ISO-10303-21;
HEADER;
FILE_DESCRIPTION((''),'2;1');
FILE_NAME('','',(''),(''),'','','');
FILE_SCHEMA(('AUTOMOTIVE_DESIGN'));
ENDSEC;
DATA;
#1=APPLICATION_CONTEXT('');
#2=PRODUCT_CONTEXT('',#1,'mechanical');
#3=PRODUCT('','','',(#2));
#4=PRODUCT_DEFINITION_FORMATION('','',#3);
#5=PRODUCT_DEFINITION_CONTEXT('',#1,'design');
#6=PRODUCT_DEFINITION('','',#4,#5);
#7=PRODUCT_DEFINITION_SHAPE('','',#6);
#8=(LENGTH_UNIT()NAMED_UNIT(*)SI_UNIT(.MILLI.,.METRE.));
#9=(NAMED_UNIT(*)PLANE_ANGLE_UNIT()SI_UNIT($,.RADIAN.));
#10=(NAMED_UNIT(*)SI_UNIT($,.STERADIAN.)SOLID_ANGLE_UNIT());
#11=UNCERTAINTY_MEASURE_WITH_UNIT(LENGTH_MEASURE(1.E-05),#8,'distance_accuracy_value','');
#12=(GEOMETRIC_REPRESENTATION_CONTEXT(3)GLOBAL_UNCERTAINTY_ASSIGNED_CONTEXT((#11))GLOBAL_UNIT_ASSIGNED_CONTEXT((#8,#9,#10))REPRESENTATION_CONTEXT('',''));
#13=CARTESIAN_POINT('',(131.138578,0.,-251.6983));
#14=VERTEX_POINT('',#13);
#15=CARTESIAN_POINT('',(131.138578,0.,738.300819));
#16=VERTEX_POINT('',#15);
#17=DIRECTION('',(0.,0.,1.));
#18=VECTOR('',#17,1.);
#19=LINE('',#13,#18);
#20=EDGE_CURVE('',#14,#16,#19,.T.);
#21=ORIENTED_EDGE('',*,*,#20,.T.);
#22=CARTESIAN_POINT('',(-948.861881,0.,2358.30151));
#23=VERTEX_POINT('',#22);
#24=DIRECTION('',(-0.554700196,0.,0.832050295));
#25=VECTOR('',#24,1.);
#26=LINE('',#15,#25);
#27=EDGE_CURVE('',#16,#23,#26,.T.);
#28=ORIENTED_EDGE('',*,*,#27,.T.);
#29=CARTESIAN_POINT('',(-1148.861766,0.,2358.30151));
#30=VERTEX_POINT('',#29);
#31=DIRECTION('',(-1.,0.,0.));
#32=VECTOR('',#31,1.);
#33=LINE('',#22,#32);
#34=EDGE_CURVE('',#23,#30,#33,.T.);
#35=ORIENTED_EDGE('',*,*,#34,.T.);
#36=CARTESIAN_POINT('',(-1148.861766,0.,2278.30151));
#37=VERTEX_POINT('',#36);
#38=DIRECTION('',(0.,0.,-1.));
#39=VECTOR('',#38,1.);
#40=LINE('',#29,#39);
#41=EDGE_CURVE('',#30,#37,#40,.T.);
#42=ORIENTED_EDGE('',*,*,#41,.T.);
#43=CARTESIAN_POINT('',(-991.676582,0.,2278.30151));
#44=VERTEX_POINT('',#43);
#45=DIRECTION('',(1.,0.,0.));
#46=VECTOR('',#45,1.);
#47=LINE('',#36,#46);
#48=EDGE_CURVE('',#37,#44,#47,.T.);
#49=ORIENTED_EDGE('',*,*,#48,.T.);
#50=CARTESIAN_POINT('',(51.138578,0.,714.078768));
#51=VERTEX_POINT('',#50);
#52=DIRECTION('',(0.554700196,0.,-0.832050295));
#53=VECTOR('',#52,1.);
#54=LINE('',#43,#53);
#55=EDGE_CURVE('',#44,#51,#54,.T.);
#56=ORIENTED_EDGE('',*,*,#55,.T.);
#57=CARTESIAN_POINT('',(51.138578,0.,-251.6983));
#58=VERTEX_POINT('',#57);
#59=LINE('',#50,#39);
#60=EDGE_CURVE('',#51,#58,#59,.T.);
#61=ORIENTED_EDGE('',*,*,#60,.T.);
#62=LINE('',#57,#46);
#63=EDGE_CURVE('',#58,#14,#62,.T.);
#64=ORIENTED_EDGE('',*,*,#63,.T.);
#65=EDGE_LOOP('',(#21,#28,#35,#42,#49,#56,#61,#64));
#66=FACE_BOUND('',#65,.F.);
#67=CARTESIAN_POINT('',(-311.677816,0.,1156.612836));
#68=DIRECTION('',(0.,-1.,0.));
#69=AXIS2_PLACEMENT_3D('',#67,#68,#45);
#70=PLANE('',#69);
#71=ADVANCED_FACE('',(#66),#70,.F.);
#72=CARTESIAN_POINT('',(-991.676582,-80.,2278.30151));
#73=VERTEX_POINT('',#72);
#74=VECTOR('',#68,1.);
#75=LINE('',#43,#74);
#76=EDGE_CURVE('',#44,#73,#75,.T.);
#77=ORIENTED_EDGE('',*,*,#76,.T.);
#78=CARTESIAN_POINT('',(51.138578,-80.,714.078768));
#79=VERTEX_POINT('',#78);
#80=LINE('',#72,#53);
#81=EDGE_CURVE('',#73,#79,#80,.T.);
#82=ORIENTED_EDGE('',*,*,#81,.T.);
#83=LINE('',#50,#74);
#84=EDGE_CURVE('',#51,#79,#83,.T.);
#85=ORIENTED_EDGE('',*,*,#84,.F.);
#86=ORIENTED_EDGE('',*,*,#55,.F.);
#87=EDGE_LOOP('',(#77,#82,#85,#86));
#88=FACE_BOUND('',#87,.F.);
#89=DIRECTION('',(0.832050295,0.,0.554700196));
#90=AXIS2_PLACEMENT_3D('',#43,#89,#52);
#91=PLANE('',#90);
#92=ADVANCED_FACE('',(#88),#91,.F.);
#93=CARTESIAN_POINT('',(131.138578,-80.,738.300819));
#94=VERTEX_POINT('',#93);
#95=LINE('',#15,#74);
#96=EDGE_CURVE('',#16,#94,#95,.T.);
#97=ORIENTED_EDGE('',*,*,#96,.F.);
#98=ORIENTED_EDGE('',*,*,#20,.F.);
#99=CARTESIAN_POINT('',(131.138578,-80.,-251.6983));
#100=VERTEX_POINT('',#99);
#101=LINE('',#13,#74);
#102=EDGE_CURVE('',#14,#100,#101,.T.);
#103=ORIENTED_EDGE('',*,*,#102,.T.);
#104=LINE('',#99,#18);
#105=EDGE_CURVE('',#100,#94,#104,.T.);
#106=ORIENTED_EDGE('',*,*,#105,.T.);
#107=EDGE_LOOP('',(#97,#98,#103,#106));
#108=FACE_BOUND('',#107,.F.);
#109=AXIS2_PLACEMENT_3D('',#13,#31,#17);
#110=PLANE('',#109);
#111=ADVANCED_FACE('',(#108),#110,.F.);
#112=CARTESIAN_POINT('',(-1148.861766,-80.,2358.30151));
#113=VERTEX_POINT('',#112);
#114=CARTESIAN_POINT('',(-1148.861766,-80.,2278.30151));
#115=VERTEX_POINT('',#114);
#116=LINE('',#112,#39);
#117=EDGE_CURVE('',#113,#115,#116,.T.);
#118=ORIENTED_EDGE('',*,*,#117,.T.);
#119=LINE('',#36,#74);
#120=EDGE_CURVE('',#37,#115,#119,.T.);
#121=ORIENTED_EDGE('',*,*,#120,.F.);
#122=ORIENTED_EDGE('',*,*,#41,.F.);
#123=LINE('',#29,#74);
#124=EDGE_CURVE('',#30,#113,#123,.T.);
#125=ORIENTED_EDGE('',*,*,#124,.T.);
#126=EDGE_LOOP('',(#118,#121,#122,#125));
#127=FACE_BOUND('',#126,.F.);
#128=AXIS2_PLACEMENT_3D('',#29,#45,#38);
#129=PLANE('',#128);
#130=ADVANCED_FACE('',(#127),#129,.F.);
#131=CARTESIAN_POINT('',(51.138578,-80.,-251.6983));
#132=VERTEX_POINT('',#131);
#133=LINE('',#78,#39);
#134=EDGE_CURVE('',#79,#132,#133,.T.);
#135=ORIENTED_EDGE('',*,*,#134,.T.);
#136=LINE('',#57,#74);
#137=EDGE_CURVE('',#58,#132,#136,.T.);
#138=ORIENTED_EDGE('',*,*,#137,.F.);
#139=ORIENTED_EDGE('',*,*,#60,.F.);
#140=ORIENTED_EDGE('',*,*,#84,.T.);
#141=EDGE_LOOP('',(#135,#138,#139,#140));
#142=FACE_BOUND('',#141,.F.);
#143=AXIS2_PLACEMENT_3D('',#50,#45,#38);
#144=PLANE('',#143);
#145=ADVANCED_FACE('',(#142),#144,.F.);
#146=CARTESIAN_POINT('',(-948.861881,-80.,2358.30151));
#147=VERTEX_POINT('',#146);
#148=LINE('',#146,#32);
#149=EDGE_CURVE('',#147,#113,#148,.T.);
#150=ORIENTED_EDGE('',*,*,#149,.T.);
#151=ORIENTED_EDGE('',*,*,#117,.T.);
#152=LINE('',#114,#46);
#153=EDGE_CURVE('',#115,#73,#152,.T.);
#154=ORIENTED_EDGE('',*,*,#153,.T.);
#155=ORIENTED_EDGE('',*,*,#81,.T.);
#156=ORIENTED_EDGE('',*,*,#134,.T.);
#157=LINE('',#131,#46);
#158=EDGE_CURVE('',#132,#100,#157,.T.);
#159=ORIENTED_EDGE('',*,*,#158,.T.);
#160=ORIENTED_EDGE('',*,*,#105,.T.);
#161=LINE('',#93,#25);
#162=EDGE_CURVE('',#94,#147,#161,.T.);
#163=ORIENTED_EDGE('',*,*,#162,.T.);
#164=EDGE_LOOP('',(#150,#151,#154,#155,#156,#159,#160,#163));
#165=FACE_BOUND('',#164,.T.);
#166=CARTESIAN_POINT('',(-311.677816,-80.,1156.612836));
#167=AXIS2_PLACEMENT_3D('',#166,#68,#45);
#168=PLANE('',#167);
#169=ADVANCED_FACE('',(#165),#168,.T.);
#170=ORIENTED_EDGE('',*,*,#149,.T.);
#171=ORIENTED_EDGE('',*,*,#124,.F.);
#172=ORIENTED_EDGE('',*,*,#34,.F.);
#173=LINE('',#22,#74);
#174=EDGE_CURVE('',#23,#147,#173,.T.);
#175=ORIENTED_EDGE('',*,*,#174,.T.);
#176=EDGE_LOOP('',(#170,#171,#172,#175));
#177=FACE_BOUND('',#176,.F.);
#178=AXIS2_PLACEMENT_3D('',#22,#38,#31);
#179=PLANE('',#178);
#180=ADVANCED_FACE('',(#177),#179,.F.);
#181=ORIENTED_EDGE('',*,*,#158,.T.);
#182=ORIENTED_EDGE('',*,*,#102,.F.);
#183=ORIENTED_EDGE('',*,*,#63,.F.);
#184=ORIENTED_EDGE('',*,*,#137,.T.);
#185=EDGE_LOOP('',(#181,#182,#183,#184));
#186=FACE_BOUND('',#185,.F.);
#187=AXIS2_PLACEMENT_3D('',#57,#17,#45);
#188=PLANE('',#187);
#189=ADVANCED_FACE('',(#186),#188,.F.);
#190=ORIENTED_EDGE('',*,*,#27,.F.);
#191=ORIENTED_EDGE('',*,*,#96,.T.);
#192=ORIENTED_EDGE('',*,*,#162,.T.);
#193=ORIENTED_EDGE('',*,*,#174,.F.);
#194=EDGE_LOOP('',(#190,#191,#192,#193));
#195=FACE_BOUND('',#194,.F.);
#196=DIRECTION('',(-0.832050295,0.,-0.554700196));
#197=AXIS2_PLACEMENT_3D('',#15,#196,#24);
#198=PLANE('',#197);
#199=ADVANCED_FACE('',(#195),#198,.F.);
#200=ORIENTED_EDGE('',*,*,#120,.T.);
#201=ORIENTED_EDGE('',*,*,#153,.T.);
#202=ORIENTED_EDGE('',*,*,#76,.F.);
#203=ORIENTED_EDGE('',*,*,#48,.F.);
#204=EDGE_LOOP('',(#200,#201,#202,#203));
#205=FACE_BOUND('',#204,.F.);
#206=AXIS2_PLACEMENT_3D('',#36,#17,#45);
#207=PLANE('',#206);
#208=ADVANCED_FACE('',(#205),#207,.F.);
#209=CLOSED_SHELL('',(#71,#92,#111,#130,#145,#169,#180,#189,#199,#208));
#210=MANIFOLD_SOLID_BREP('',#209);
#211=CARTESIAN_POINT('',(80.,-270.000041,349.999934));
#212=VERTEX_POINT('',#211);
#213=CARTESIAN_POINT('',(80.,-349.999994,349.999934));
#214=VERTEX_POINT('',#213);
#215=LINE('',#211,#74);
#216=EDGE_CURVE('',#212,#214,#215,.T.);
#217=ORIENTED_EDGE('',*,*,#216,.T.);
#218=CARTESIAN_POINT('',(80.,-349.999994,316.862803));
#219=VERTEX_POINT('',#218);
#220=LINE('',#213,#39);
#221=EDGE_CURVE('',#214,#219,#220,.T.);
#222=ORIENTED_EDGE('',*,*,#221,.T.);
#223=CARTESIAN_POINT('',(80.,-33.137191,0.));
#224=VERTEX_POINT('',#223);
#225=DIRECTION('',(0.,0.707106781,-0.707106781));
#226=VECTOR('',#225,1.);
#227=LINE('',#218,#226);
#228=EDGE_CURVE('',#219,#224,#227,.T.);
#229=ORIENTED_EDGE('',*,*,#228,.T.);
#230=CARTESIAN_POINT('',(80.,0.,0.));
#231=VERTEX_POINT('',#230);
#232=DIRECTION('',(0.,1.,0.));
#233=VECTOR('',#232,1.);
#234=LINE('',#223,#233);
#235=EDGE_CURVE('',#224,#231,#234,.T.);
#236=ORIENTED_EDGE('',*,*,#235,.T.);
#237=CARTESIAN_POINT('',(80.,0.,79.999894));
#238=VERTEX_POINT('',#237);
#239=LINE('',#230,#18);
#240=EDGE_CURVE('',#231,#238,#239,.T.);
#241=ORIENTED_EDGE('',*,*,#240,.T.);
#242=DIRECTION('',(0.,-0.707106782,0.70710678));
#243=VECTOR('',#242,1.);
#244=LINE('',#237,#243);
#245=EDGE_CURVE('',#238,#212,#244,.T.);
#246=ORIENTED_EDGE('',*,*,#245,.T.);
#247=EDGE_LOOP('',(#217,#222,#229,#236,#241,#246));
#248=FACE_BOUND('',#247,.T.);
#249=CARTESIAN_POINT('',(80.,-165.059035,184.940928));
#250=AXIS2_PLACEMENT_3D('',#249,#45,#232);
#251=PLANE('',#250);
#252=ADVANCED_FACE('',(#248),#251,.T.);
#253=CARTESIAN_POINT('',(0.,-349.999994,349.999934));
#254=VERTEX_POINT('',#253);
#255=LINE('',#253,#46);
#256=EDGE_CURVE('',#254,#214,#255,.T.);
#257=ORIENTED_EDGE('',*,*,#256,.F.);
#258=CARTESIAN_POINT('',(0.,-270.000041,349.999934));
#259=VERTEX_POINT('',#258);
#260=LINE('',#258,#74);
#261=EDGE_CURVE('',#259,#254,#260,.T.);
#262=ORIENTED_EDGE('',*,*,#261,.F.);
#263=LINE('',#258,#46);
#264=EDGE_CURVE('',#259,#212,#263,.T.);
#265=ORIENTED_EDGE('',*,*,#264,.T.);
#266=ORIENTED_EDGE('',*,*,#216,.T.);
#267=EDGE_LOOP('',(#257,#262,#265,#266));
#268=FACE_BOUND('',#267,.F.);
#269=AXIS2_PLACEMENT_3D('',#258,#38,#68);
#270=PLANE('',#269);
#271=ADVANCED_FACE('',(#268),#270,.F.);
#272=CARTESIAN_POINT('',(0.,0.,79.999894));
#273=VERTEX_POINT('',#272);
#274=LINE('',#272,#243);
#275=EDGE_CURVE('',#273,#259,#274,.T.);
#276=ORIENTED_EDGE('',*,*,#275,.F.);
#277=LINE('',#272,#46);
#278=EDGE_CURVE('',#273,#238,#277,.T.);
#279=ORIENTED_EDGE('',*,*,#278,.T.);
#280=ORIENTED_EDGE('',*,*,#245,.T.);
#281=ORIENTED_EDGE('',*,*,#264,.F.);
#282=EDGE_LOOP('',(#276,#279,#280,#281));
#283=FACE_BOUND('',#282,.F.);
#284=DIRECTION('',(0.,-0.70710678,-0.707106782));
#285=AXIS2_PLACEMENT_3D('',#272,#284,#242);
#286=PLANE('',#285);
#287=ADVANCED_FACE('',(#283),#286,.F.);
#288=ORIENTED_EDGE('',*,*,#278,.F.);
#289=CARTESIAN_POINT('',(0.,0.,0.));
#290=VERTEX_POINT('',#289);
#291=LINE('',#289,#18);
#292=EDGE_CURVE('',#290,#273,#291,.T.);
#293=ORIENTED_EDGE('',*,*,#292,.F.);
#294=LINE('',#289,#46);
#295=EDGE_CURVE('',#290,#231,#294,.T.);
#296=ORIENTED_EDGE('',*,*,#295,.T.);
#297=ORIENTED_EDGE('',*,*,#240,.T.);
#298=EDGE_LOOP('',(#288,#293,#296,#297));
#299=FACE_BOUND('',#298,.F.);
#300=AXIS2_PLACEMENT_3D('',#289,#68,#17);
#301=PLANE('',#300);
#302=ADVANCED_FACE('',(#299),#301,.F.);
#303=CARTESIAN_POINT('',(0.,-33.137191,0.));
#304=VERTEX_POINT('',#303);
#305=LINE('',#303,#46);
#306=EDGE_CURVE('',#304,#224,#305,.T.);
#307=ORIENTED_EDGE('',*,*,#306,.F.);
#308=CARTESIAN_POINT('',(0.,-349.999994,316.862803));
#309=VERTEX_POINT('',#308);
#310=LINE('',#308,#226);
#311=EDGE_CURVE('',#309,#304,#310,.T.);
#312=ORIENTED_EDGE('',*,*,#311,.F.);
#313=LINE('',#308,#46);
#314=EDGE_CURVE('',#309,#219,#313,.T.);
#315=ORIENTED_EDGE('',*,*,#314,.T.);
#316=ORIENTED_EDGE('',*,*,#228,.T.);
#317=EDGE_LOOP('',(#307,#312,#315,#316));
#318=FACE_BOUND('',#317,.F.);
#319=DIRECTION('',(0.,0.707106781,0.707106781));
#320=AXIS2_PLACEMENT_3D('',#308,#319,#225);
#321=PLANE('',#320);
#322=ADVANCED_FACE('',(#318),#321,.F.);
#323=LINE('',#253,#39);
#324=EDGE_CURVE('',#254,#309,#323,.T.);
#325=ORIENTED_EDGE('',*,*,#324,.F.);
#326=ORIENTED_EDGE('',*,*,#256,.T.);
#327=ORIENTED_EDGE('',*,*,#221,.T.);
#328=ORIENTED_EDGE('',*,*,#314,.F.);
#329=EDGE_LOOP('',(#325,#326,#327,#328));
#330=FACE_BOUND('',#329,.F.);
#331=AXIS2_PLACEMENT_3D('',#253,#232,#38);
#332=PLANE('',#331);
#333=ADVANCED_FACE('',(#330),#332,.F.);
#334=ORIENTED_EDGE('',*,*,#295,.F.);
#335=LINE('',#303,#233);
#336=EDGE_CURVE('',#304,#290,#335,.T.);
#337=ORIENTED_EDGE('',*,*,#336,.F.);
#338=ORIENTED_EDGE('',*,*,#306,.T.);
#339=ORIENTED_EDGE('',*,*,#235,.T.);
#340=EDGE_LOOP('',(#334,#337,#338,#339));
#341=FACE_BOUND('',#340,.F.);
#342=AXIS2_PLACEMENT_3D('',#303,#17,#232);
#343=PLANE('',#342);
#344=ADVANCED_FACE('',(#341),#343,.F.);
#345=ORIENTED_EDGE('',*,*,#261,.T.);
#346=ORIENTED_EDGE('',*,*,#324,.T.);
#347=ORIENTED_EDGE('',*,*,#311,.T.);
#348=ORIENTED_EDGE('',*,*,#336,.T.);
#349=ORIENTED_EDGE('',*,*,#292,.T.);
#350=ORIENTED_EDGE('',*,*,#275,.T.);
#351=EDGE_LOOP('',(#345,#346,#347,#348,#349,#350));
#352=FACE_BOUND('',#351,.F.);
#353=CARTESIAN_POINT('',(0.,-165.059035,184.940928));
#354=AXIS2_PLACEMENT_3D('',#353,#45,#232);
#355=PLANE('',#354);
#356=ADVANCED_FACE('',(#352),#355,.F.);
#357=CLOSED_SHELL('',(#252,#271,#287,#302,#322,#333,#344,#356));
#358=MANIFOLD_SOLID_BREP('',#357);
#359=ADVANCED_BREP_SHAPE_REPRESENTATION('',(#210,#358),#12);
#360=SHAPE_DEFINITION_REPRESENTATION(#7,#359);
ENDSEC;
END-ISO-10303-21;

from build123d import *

# Parameters (mm, degrees)
F1_DEPTH = 80
F3_DEPTH = 80


with BuildPart() as f1:
    # F0 (on Right) → F1 (new body)
    with BuildSketch(Plane.YZ):
        Polygon((-33.137191, 0), (0, 0), (0, 79.999894), (-270.000041, 349.999934), (-349.999994, 349.999934), (-349.999994, 316.862803), align=None)
    extrude(amount=F1_DEPTH)


with BuildPart() as f3:
    # F2 (on Front) → F3 (new body)
    with BuildSketch(Plane.XZ):
        Polygon((-1148.861766, 2278.30151), (-991.676582, 2278.30151), (51.138578, 714.078768), (51.138578, -251.6983), (131.138578, -251.6983), (131.138578, 738.300819), (-948.861881, 2358.30151), (-1148.861766, 2358.30151), align=None)
    extrude(amount=F3_DEPTH)


solid = Compound([f1.part, f3.part])
